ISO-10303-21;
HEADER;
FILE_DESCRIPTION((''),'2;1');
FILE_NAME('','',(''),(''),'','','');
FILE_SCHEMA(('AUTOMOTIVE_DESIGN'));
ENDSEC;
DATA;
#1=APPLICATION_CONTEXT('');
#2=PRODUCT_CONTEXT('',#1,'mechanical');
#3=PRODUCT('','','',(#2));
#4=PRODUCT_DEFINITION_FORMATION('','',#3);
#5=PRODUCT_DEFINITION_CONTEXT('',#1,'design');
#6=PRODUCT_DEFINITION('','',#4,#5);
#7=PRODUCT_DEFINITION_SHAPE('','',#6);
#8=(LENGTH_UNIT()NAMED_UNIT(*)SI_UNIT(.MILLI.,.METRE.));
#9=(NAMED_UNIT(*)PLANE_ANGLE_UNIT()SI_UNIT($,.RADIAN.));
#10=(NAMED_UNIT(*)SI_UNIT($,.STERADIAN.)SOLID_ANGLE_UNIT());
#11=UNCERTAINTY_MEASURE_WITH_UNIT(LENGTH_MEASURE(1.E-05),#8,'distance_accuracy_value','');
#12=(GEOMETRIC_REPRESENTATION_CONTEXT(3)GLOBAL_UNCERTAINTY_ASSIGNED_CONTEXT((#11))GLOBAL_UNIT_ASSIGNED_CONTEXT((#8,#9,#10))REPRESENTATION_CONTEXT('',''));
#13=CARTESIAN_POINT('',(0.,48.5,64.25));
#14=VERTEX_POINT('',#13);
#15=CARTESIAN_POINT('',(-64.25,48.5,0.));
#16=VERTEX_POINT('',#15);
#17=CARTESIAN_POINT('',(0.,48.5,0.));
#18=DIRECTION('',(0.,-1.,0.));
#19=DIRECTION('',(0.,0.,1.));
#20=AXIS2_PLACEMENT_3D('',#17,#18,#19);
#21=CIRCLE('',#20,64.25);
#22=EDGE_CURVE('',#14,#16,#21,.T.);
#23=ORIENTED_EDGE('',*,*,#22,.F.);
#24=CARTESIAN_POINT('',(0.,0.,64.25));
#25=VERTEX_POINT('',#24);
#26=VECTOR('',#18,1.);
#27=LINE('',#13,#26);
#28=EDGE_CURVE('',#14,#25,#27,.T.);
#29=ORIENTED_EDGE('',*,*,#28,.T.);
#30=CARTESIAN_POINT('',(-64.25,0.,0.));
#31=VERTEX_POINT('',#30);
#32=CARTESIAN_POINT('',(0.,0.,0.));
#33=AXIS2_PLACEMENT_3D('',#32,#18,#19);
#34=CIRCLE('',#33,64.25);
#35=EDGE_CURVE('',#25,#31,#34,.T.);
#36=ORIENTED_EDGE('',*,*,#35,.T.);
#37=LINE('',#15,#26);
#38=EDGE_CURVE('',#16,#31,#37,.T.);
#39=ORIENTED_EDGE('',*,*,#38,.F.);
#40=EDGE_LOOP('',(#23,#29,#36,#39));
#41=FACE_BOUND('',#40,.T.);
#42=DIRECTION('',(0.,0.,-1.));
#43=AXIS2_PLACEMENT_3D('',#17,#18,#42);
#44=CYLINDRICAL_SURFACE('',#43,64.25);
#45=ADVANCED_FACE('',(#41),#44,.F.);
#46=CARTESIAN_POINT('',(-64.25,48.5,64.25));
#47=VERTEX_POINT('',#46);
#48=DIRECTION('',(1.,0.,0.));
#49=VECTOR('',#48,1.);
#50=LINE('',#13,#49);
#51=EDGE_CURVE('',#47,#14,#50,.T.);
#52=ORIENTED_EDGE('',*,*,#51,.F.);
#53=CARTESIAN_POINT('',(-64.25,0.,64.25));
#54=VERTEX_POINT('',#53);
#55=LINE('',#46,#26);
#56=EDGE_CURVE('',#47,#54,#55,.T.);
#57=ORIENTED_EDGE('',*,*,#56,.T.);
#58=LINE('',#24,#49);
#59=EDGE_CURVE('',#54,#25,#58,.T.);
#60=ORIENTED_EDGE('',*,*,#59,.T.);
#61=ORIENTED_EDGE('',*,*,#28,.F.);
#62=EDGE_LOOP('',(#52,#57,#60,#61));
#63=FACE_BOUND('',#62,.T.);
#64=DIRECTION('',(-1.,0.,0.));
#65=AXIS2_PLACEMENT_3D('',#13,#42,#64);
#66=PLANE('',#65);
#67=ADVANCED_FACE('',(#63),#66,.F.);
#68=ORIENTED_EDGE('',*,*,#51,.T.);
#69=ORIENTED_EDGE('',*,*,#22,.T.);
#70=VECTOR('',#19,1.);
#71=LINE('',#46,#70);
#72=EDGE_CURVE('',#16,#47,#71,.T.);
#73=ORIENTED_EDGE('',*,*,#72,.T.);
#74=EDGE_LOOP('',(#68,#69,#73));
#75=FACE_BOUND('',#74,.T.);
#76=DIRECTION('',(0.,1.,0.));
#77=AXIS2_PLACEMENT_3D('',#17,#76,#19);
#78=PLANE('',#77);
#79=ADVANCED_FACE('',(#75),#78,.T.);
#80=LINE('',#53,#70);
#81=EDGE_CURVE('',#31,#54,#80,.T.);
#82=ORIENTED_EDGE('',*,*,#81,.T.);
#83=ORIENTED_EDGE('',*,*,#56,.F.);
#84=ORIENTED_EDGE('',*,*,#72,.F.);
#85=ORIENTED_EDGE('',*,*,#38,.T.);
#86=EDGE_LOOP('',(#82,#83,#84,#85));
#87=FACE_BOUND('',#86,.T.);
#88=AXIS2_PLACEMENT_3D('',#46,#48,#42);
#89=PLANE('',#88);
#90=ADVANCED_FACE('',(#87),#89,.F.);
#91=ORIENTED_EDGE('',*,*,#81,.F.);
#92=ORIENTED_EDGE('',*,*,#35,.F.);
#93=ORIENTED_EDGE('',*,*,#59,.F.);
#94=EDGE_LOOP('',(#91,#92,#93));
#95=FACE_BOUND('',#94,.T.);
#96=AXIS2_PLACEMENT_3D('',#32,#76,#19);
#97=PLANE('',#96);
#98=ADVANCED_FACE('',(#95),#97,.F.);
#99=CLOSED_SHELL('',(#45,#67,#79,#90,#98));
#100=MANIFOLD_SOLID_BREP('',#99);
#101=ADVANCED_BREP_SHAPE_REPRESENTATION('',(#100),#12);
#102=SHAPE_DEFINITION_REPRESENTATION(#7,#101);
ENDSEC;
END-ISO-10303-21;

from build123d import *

# Parameters (mm, degrees)
BOSS_EXTRUDE1_DEPTH = 48.5


with BuildPart() as part:
    # Sketch2 → Boss-Extrude1 (new body)
    with BuildSketch(Plane(origin=(0, 0, 0), x_dir=(1, 0, 0), z_dir=(0, 1, 0))):
        with BuildLine():
            Line((0, -64.25), (-64.25, -64.25))
            Line((-64.25, -64.25), (-64.25, 0))
            ThreePointArc((-64.25, 0), (-45.431610691, -45.431610691), (0, -64.25))
        make_face()
    extrude(amount=BOSS_EXTRUDE1_DEPTH)


solid = part.part
